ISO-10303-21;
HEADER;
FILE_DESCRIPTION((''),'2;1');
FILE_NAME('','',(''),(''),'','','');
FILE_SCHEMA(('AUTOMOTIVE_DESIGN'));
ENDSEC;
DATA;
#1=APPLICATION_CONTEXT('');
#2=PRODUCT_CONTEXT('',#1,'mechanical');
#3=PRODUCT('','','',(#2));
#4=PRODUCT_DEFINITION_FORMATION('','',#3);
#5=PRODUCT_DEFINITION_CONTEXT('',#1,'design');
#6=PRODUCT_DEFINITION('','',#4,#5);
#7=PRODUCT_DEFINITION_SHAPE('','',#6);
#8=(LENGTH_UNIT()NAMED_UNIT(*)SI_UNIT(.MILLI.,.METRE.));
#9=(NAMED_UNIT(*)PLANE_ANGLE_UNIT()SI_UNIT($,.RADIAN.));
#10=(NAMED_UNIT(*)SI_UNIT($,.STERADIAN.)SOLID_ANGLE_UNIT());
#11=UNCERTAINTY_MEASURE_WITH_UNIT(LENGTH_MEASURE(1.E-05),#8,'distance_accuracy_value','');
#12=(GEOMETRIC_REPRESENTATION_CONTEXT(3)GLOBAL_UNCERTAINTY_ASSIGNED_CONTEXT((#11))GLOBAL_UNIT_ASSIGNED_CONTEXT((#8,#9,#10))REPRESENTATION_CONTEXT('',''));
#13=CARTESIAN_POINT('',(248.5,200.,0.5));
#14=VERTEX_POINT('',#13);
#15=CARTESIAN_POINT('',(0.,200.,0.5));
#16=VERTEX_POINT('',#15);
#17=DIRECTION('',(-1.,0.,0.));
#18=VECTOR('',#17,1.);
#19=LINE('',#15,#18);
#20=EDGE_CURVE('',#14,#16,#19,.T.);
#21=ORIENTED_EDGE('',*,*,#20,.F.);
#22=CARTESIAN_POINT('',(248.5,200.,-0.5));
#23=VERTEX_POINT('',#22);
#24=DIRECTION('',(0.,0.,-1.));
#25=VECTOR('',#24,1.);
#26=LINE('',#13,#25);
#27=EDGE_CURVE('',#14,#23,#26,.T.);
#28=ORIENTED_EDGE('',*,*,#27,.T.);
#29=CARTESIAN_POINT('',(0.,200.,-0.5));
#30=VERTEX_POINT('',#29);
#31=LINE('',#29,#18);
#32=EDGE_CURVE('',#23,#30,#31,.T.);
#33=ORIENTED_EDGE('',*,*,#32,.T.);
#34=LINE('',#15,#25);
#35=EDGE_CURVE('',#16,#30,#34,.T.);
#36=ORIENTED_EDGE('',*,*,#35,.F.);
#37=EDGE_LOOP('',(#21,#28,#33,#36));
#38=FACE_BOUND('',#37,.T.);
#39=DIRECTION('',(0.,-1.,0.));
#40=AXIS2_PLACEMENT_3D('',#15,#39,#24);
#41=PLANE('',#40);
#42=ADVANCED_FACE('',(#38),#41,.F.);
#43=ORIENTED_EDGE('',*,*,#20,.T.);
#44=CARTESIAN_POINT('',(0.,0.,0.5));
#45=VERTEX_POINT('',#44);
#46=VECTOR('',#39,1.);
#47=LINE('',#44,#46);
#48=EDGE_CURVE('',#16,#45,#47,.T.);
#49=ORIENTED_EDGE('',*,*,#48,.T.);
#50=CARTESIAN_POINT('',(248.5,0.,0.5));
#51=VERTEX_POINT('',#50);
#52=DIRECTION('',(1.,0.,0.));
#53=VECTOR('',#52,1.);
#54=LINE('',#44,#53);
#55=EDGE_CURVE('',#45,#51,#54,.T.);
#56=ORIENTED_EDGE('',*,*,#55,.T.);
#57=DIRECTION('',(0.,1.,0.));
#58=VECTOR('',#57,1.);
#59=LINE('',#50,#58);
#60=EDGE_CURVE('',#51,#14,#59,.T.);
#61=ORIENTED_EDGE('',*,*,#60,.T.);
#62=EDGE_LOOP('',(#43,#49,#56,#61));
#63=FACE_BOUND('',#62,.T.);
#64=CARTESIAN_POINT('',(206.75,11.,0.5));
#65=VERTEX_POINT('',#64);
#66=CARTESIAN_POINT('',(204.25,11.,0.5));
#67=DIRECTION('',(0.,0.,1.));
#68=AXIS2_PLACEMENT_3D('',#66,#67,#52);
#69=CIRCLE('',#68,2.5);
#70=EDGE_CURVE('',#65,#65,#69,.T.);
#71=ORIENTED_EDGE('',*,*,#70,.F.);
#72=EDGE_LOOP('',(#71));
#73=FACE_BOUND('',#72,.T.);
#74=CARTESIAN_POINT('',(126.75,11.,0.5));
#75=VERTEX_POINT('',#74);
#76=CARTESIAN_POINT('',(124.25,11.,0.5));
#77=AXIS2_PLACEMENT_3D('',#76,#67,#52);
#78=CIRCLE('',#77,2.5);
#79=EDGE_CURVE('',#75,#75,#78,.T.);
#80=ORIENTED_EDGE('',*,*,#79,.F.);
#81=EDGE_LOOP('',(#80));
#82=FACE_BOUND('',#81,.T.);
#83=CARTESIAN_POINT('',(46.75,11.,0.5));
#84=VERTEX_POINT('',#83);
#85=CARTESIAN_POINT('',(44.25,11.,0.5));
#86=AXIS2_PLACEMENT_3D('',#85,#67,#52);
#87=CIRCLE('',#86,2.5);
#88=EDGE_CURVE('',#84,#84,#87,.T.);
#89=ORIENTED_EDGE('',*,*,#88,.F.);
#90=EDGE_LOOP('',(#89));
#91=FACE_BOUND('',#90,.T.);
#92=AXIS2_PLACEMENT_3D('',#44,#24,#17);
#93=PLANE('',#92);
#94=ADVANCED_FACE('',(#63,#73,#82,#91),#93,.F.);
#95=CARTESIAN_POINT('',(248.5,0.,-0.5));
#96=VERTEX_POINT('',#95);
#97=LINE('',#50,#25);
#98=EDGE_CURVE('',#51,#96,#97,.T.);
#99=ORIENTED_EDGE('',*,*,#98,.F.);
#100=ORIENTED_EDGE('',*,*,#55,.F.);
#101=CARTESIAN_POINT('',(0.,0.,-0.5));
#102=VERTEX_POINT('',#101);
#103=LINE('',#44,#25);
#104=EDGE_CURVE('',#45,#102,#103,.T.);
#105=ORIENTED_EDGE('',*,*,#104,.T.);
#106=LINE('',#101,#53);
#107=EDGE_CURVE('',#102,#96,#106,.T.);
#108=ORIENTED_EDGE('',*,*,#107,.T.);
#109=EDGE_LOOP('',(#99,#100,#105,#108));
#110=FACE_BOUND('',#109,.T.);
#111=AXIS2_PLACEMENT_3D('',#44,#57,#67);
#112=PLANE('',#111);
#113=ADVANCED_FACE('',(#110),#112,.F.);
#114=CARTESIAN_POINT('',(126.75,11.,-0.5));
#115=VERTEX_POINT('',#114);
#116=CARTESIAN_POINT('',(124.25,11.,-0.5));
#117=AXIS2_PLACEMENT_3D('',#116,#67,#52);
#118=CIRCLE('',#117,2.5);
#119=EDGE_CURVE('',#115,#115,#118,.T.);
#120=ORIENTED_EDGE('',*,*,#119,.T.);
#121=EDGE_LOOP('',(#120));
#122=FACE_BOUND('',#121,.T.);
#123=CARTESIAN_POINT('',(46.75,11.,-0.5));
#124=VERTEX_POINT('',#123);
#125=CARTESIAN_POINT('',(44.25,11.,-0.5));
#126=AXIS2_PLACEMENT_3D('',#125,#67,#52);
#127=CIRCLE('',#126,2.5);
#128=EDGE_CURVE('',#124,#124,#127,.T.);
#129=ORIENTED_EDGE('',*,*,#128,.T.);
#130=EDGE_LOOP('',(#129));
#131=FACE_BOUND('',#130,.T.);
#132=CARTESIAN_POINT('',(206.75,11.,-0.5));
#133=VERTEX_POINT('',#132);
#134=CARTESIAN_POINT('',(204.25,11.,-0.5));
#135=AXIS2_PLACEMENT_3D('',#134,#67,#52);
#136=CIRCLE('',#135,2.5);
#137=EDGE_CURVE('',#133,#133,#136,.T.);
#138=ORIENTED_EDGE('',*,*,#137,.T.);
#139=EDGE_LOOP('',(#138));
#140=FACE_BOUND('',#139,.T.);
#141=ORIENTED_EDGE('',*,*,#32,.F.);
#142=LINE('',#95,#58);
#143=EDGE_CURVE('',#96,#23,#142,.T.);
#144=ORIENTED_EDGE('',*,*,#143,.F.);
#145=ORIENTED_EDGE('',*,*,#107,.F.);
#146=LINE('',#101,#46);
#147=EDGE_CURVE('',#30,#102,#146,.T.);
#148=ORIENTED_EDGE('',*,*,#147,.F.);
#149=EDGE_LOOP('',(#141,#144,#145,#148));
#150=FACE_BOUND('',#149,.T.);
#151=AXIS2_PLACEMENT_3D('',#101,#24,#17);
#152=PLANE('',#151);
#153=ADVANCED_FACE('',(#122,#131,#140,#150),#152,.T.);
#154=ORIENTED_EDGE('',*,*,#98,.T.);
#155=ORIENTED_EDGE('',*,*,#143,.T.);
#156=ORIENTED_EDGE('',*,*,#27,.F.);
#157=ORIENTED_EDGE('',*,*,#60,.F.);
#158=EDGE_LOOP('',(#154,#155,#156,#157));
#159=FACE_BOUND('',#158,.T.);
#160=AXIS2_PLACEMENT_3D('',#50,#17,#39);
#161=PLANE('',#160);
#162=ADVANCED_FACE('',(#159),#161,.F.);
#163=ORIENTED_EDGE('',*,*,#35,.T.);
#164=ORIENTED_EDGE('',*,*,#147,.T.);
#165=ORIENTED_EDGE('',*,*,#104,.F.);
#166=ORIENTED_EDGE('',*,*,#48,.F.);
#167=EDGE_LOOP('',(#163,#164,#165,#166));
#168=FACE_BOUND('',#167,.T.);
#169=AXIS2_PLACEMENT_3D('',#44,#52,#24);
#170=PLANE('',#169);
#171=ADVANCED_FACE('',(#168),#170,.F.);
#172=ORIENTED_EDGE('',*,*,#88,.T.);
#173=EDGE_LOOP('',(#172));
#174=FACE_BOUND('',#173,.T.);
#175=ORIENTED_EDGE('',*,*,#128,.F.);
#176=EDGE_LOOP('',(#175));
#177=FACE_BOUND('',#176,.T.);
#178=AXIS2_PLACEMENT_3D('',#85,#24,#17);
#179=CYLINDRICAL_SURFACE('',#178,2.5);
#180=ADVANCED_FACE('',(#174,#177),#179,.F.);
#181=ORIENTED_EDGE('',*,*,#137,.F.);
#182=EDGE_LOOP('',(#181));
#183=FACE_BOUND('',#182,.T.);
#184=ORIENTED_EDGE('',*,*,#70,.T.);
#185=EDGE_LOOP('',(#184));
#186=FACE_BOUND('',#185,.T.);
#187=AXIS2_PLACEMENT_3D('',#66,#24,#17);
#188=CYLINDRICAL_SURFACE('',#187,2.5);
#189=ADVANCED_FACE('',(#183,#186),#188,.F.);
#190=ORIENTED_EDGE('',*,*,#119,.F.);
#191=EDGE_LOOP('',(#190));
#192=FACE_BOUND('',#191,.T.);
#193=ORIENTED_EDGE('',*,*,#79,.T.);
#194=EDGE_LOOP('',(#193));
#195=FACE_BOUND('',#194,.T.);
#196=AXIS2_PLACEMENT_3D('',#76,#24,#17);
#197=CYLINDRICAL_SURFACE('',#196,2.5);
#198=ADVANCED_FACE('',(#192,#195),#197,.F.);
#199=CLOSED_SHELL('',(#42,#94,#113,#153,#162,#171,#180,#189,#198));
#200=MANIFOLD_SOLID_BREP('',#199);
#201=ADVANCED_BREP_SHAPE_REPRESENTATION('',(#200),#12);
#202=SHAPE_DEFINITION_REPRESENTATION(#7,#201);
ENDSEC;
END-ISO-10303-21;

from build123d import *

# Parameters (mm, degrees)
SKETCH_1_W      = 248.5
SKETCH_1_H      = 200
SKETCH_1_R      = 2.5
EXTRUDE_1_DEPTH = 0.5


with BuildPart() as part:
    # 스케치1 → 보스-돌출1 (new, symmetric)
    with BuildSketch(Plane.XY):
        with Locations((124.25, 100)):
            Rectangle(SKETCH_1_W, SKETCH_1_H)
        with Locations((124.25, 11)):
            Circle(SKETCH_1_R, mode=Mode.SUBTRACT)
        with Locations((204.25, 11)):
            Circle(SKETCH_1_R, mode=Mode.SUBTRACT)
        with Locations((44.25, 11)):
            Circle(SKETCH_1_R, mode=Mode.SUBTRACT)
    extrude(amount=EXTRUDE_1_DEPTH, both=True)


solid = part.part
